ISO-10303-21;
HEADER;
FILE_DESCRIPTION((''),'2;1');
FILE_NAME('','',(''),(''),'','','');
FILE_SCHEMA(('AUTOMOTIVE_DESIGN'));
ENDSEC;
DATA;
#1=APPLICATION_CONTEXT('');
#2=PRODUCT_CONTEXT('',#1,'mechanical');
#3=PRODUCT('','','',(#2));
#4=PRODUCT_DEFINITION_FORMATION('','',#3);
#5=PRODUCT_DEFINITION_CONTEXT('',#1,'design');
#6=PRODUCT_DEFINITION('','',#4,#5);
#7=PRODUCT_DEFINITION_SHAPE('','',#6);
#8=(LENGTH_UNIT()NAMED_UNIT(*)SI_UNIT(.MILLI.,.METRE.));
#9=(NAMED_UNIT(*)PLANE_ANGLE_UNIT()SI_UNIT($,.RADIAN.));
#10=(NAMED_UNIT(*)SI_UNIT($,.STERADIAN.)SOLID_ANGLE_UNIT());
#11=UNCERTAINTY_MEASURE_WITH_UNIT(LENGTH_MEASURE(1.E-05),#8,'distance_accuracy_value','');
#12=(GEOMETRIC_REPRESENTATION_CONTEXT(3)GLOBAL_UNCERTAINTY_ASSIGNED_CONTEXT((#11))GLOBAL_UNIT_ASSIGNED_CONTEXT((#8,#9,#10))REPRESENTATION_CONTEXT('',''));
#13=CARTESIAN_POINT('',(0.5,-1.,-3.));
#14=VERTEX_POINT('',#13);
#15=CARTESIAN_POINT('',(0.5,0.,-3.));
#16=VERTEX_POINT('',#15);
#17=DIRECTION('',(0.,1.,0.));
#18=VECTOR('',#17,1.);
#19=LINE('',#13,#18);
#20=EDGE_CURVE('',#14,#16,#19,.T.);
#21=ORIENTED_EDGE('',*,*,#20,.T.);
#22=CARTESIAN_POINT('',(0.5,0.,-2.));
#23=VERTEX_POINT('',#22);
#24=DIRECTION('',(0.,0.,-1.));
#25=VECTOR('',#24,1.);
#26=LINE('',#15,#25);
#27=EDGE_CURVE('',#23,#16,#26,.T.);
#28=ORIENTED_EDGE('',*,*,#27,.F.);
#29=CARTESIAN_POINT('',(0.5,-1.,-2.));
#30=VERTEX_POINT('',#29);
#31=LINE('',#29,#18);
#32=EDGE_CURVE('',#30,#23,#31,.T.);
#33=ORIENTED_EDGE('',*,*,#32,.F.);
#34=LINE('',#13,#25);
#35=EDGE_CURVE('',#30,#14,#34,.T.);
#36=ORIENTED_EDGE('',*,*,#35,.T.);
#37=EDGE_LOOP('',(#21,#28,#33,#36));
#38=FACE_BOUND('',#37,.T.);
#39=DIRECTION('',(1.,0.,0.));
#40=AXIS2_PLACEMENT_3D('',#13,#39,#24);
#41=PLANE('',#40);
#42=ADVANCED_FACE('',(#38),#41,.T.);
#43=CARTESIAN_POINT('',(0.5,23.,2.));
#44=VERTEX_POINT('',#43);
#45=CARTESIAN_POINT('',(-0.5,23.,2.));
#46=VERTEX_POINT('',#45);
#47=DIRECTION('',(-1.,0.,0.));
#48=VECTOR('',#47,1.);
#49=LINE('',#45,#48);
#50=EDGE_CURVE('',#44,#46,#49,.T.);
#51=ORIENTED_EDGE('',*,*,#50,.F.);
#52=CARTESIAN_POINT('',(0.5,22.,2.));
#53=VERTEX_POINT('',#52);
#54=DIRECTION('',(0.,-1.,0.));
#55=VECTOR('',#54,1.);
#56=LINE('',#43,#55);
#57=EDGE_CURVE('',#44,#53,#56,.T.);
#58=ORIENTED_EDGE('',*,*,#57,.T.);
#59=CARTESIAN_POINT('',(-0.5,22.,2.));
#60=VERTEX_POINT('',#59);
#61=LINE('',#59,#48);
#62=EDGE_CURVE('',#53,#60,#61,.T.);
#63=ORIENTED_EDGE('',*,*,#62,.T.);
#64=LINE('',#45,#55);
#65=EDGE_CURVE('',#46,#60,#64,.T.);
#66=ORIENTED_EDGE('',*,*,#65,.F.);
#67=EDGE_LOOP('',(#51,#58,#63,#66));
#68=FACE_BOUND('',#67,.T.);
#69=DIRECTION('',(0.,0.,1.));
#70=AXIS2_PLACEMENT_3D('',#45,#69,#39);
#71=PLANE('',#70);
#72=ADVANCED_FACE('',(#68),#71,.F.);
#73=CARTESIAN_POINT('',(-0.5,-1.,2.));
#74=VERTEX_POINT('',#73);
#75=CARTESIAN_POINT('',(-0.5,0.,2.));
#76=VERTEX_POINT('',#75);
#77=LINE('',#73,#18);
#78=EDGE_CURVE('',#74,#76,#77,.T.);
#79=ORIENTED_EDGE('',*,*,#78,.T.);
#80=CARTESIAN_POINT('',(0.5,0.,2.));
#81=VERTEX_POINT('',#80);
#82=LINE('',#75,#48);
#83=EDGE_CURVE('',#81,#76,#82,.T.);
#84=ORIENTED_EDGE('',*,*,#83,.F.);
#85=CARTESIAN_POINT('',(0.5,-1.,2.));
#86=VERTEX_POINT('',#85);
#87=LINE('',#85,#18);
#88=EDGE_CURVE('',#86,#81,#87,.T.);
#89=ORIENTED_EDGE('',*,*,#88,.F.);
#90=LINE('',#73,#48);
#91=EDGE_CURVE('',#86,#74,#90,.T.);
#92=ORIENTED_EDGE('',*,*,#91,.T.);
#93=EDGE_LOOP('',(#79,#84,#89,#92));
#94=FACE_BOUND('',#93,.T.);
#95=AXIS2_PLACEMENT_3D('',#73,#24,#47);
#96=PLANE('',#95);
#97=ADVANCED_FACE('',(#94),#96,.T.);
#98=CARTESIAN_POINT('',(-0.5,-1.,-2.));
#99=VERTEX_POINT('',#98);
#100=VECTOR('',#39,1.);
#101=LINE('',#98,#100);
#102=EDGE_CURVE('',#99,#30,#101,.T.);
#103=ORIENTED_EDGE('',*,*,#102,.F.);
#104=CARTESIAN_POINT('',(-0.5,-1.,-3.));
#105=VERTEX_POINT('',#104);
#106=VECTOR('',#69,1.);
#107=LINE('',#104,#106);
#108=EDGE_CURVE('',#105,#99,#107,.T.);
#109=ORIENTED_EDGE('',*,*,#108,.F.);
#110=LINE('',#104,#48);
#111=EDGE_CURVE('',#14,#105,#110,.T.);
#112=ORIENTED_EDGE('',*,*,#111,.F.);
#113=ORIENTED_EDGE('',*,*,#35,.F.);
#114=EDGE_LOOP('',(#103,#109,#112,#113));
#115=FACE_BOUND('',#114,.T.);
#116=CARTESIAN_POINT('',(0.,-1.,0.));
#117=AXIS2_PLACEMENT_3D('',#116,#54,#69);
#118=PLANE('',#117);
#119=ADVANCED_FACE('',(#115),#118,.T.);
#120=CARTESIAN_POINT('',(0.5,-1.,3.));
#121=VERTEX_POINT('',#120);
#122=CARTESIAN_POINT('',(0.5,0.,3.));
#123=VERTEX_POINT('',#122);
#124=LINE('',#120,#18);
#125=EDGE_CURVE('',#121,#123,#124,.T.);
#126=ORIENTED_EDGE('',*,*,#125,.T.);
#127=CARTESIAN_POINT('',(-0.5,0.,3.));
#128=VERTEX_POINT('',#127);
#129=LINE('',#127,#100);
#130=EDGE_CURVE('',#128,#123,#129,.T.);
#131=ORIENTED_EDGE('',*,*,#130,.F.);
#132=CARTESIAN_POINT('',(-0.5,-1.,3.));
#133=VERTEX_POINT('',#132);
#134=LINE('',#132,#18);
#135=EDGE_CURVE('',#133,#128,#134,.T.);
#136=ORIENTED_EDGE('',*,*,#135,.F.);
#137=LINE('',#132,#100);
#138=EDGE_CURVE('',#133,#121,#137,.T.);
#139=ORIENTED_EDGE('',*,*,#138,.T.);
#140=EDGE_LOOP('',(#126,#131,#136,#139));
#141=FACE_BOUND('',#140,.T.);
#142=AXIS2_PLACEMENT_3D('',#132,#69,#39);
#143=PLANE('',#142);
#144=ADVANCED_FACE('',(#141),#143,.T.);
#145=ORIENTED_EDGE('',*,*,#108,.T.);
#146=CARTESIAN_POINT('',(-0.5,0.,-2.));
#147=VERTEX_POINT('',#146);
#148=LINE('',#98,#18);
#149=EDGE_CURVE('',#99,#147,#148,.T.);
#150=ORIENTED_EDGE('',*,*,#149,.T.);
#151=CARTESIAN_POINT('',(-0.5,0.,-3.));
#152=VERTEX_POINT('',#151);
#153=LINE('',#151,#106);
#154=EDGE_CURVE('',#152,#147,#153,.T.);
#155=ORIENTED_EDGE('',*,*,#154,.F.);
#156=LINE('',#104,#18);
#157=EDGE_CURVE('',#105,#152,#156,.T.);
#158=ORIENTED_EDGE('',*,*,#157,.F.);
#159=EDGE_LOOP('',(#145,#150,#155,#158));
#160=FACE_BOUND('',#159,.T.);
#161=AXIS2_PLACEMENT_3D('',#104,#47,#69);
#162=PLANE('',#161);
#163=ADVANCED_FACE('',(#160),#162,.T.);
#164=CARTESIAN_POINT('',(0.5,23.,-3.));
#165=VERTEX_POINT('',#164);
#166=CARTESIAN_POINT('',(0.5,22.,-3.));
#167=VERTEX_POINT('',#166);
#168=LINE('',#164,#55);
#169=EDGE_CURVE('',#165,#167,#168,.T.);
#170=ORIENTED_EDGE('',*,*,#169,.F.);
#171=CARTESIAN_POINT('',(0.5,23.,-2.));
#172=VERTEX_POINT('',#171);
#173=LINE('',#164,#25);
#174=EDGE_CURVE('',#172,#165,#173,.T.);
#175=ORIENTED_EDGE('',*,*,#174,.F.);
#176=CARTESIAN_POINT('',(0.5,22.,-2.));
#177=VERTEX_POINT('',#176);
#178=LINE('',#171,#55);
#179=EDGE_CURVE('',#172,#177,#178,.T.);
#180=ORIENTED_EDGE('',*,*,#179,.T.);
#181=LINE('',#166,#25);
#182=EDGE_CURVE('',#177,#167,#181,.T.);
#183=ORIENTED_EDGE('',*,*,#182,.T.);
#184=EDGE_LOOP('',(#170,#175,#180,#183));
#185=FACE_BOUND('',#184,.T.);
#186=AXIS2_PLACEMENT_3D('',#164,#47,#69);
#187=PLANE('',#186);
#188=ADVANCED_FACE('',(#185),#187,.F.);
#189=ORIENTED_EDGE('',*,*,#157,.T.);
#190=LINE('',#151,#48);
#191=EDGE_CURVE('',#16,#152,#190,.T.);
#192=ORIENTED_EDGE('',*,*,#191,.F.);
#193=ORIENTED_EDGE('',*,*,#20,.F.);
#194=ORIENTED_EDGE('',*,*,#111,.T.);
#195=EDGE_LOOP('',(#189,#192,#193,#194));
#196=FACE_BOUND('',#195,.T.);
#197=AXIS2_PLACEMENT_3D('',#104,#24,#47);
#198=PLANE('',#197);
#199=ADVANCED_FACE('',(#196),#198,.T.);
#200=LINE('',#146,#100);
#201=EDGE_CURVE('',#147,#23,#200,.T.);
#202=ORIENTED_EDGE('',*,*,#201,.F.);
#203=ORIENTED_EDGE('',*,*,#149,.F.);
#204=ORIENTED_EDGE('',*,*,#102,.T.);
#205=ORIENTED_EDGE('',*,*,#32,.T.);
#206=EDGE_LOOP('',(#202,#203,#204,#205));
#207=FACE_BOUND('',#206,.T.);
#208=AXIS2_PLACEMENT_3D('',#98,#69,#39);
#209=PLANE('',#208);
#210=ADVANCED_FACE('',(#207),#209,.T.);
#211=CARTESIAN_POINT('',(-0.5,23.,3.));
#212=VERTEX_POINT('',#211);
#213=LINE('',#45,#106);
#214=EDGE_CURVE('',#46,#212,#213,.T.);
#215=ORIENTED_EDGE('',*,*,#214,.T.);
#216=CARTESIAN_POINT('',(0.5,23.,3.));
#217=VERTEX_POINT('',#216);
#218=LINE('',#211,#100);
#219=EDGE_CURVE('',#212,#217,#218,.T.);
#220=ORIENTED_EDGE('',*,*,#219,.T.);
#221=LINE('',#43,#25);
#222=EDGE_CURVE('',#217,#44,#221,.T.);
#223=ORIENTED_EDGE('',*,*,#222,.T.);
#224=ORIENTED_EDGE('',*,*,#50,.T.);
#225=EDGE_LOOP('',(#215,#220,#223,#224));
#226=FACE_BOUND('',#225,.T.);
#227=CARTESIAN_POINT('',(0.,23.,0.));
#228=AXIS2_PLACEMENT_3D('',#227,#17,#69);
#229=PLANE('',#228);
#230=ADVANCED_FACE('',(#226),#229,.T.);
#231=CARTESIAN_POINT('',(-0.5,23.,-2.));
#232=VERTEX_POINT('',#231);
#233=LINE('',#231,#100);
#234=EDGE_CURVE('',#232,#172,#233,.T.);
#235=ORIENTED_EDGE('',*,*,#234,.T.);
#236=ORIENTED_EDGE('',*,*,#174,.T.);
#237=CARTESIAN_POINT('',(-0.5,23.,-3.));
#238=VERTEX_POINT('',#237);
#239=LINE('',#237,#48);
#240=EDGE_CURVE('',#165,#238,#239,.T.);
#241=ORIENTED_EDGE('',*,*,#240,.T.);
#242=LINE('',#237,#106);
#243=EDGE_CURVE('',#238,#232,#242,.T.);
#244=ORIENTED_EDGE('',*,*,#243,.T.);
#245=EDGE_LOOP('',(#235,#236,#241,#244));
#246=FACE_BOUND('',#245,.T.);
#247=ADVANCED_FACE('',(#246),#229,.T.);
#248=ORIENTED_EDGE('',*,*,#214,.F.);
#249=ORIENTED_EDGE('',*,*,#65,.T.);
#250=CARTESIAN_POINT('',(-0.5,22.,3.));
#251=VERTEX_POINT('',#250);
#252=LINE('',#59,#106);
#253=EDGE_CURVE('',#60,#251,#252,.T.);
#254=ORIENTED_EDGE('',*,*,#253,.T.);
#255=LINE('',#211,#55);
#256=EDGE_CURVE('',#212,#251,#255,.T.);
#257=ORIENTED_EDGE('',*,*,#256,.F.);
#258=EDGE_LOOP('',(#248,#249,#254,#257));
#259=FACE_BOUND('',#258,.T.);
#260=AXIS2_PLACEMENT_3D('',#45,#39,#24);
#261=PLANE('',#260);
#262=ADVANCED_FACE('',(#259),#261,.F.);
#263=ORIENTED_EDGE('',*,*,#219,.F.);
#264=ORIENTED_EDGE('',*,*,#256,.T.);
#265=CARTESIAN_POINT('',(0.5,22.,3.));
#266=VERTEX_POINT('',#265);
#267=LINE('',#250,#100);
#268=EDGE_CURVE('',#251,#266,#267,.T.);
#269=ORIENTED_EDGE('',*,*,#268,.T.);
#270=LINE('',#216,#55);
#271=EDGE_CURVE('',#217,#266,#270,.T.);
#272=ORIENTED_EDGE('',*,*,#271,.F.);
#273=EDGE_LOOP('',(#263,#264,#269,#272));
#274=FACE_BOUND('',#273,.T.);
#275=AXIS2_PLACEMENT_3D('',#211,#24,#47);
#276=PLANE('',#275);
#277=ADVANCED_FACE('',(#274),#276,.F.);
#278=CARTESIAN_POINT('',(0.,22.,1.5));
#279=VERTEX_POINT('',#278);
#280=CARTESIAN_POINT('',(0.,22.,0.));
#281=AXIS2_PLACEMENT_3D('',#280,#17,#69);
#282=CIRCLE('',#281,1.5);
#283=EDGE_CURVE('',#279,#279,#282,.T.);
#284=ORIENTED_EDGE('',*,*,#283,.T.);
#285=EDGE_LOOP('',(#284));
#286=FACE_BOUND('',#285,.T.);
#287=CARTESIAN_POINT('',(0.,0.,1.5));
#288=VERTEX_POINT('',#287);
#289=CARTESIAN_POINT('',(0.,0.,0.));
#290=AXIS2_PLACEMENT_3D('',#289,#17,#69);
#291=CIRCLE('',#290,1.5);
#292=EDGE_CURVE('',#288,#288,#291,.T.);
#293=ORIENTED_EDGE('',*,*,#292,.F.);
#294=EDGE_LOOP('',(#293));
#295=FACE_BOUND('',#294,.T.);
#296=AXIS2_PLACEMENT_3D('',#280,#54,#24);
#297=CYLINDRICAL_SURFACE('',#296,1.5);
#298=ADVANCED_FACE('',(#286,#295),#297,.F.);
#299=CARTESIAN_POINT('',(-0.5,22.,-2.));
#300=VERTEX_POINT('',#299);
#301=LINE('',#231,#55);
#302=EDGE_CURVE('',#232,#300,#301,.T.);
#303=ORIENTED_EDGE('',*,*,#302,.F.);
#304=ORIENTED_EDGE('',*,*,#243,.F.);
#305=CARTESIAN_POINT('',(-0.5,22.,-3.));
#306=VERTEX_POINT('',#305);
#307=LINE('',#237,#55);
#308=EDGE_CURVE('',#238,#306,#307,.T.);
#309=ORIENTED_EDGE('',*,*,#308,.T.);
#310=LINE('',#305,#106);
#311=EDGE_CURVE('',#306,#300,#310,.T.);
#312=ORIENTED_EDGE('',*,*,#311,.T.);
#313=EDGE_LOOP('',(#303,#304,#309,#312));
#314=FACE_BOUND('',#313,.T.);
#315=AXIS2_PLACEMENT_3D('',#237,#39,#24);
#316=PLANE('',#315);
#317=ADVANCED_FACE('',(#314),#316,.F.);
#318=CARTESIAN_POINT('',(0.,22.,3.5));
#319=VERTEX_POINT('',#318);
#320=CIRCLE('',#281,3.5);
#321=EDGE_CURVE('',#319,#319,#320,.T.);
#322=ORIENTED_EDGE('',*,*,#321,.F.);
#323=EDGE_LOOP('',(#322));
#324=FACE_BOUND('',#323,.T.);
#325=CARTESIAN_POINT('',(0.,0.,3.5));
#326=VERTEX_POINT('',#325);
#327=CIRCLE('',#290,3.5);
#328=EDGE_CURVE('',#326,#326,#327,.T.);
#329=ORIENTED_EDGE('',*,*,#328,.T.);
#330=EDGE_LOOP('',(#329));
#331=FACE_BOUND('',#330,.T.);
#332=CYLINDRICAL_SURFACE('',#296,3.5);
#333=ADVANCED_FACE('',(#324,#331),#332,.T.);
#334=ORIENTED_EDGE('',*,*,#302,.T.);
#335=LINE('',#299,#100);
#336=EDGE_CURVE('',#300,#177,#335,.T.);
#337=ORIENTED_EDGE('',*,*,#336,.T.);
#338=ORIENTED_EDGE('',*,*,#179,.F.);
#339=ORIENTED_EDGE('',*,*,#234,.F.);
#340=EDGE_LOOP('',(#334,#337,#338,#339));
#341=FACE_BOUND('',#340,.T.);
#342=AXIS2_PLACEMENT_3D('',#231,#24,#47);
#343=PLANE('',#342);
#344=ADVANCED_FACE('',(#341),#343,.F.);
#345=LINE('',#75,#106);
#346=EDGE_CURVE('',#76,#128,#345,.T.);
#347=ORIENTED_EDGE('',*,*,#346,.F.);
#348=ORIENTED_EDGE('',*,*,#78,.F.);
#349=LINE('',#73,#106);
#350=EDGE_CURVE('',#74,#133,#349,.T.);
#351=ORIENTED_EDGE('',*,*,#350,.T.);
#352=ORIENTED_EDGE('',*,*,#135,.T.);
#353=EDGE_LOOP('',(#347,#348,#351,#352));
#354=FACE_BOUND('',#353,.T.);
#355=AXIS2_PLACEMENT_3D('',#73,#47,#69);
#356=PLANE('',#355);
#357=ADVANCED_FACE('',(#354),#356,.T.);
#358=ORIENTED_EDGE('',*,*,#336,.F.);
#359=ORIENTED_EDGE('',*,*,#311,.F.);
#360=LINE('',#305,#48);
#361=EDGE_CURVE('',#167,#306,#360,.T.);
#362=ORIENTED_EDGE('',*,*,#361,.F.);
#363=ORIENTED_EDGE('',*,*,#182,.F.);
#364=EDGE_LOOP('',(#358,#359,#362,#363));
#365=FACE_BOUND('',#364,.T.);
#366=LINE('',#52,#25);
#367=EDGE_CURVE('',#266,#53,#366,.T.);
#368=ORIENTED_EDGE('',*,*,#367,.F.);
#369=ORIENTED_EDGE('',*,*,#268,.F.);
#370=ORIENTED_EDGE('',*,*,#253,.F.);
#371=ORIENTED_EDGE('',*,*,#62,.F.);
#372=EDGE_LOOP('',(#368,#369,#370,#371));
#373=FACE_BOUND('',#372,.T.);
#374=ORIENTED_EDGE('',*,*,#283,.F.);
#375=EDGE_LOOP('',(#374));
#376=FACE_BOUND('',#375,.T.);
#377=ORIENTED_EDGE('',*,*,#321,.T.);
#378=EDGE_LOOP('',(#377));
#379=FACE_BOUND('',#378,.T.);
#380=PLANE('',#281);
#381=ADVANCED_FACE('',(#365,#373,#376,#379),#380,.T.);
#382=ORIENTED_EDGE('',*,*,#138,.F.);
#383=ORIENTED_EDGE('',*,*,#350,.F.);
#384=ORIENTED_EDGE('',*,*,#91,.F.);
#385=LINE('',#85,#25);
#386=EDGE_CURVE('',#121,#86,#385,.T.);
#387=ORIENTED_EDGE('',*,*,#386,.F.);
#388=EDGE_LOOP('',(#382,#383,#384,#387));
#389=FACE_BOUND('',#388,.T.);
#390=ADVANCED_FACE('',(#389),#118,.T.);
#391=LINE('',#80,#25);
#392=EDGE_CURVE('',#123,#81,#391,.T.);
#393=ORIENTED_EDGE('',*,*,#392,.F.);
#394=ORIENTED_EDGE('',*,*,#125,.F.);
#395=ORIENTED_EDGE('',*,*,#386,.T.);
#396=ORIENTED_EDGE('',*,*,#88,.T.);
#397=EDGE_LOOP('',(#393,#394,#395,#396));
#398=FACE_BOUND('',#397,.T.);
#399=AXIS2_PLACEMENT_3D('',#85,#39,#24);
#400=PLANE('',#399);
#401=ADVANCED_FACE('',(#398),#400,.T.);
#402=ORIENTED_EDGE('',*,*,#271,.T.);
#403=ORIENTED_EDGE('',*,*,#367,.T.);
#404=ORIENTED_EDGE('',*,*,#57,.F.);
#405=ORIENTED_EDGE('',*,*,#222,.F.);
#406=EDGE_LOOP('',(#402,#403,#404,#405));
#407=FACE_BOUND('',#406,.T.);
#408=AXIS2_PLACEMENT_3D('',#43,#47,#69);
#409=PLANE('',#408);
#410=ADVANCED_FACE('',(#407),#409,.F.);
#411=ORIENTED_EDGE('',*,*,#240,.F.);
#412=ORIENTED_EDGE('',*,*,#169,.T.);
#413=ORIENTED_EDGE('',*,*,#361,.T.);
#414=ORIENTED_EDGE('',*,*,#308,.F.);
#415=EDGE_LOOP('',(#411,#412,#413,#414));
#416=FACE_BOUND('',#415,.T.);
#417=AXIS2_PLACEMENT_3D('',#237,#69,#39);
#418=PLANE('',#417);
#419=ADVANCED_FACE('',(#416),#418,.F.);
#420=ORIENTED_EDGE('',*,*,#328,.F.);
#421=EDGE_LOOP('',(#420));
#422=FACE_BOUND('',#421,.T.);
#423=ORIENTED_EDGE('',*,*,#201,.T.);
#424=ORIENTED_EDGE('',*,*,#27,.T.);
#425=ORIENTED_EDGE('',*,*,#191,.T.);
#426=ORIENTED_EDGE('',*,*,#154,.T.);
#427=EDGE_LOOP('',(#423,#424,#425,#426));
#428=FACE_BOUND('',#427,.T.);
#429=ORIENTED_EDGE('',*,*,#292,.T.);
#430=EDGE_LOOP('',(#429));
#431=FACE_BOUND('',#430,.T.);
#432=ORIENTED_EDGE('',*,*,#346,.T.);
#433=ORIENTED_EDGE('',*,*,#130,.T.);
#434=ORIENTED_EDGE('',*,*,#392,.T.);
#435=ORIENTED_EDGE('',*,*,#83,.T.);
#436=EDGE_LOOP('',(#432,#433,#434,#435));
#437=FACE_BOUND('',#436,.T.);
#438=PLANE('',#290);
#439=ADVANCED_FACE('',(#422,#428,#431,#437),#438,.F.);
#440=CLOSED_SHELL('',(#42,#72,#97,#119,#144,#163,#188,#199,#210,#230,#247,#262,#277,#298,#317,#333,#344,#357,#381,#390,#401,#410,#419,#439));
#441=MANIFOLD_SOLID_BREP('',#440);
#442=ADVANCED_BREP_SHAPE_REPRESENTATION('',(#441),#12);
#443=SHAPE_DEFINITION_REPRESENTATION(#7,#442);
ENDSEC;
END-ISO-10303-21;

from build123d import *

# Parameters (mm, degrees)
SKETCH2_R           = 3.5
SKETCH2_R_2         = 1.5
BOSS_EXTRUDE1_DEPTH = 22
SKETCH3_W           = 1
SKETCH3_H           = 1
BOSS_EXTRUDE2_DEPTH = 1


with BuildPart() as part:
    # Sketch2 → Boss-Extrude1 (new body)
    with BuildSketch(Plane(origin=(0, 0, 0), x_dir=(1, 0, 0), z_dir=(0, 1, 0))):
        with Locations(Location((0, 0, 0), (0, 0, 270))):
            Circle(SKETCH2_R)
        with Locations(Location((0, 0, 0), (0, 0, 270))):
            Circle(SKETCH2_R_2, mode=Mode.SUBTRACT)
    extrude(amount=BOSS_EXTRUDE1_DEPTH)

    # Sketch3 → Boss-Extrude2 (add)
    with BuildSketch(Plane(origin=(0, 22, 0), x_dir=(1, 0, 0), z_dir=(0, 1, 0))):
        with Locations((0, 2.5)):
            Rectangle(SKETCH3_W, SKETCH3_H)
        with Locations((0, -2.5)):
            Rectangle(SKETCH3_W, SKETCH3_H)
    boss_extrude2 = extrude(amount=BOSS_EXTRUDE2_DEPTH)

    # Mirror1: Boss-Extrude2 across plane
    add(boss_extrude2.mirror(Plane.ZX.offset(11)))


solid = part.part
